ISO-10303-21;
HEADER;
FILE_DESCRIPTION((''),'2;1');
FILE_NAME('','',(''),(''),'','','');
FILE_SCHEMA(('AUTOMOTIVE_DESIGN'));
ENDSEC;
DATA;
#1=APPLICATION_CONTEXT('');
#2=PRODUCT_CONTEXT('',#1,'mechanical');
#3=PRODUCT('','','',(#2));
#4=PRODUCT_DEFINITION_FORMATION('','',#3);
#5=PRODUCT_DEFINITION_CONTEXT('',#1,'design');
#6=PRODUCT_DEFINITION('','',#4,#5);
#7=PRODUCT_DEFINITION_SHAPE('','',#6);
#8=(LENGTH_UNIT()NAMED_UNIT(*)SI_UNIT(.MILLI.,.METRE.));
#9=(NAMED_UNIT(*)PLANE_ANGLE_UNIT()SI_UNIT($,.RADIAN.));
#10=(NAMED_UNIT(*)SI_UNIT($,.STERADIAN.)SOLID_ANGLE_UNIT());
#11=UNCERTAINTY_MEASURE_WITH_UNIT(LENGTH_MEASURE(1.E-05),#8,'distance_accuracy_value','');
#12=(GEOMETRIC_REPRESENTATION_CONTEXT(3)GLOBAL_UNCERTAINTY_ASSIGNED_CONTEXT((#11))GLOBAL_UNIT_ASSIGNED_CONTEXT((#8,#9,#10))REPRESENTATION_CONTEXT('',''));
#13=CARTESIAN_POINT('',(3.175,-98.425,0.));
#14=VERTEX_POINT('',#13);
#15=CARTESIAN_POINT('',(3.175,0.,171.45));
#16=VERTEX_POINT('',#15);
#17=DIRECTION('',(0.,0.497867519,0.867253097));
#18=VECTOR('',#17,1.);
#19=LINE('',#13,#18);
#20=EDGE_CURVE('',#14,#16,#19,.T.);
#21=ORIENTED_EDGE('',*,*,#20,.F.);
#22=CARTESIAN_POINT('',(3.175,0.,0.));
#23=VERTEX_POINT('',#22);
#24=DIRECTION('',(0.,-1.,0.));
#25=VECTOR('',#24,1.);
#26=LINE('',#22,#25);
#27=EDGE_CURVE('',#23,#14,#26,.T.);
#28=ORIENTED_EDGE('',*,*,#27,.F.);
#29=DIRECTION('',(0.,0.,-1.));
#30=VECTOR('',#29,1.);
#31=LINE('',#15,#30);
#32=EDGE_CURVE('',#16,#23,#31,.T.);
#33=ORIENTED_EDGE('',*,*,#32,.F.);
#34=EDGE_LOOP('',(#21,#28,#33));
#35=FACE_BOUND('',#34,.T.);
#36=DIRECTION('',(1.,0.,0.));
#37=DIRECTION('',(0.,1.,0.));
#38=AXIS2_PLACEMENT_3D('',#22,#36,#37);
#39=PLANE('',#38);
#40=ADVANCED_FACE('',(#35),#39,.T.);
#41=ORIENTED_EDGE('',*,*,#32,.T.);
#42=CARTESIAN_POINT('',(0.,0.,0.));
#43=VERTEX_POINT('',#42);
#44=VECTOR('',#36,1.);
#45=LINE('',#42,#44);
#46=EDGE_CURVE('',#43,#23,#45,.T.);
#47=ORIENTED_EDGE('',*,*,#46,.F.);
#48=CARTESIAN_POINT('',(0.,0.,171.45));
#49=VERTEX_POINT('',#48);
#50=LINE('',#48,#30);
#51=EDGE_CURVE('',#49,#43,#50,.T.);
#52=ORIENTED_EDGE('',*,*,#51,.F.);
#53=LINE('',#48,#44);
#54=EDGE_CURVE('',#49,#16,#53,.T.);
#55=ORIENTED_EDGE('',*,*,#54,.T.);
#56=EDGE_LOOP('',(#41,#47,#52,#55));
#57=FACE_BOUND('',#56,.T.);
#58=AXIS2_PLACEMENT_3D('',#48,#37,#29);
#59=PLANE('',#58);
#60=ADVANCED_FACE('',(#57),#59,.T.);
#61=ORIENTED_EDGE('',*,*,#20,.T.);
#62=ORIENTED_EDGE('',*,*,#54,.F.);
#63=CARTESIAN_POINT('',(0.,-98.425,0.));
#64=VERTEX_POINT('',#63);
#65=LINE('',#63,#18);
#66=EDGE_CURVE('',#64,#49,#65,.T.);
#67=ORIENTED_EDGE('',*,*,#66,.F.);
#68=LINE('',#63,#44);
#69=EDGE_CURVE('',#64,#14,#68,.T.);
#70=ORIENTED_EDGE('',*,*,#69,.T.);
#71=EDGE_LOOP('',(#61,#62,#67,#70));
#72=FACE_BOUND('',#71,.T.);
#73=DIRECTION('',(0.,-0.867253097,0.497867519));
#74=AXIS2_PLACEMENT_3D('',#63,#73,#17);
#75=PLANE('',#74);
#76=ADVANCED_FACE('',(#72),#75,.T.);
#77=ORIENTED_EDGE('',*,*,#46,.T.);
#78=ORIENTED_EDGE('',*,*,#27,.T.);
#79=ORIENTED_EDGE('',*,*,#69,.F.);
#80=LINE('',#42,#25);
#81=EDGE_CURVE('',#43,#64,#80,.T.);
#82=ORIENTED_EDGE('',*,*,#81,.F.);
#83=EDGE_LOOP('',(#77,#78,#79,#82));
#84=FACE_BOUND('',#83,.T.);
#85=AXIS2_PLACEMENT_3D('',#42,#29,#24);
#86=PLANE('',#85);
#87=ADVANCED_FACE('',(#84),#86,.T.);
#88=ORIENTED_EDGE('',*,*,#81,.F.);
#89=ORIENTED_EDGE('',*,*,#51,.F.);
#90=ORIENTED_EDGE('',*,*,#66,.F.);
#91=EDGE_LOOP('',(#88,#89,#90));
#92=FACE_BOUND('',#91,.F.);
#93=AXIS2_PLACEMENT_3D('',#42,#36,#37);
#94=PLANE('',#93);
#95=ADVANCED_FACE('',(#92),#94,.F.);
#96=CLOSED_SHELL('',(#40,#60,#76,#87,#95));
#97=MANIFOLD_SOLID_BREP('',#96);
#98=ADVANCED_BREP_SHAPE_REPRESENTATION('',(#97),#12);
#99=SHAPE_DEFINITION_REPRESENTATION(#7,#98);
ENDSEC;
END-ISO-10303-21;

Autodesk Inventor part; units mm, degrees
ref_plane "YZ Plane" through (0, 0, 0) normal (1, 0, 0) x (0, 1, 0)
ref_plane "XZ Plane" through (0, 0, 0) normal (0, 1, 0) x (-1, 0, 0)
ref_plane "XY Plane" through (0, 0, 0) normal (0, 0, 1) x (1, 0, 0)
sketch "Sketch1" plane through (0, 0, 0) normal (1, 0, 0) x (0, 1, 0)
  line L0 (0, 0) -> (-98.425, 0) construction
  line L1 (-98.425, 0) -> (-98.425, 171.45) construction
  line L2 (-98.425, 171.45) -> (0, 171.45) construction
  line L3 (0, 171.45) -> (0, 0) construction
  line L4 (0, 171.45) -> (0, 0)
  line L5 (0, 0) -> (-98.425, 0)
  line L6 (-98.425, 0) -> (0, 171.45)
  dimension "d0" = 98.425
  dimension "d1" = 171.45
extrude "Extrusion1" add sketch "Sketch1" along normal blind 3.175
properties part number "side panel top"
